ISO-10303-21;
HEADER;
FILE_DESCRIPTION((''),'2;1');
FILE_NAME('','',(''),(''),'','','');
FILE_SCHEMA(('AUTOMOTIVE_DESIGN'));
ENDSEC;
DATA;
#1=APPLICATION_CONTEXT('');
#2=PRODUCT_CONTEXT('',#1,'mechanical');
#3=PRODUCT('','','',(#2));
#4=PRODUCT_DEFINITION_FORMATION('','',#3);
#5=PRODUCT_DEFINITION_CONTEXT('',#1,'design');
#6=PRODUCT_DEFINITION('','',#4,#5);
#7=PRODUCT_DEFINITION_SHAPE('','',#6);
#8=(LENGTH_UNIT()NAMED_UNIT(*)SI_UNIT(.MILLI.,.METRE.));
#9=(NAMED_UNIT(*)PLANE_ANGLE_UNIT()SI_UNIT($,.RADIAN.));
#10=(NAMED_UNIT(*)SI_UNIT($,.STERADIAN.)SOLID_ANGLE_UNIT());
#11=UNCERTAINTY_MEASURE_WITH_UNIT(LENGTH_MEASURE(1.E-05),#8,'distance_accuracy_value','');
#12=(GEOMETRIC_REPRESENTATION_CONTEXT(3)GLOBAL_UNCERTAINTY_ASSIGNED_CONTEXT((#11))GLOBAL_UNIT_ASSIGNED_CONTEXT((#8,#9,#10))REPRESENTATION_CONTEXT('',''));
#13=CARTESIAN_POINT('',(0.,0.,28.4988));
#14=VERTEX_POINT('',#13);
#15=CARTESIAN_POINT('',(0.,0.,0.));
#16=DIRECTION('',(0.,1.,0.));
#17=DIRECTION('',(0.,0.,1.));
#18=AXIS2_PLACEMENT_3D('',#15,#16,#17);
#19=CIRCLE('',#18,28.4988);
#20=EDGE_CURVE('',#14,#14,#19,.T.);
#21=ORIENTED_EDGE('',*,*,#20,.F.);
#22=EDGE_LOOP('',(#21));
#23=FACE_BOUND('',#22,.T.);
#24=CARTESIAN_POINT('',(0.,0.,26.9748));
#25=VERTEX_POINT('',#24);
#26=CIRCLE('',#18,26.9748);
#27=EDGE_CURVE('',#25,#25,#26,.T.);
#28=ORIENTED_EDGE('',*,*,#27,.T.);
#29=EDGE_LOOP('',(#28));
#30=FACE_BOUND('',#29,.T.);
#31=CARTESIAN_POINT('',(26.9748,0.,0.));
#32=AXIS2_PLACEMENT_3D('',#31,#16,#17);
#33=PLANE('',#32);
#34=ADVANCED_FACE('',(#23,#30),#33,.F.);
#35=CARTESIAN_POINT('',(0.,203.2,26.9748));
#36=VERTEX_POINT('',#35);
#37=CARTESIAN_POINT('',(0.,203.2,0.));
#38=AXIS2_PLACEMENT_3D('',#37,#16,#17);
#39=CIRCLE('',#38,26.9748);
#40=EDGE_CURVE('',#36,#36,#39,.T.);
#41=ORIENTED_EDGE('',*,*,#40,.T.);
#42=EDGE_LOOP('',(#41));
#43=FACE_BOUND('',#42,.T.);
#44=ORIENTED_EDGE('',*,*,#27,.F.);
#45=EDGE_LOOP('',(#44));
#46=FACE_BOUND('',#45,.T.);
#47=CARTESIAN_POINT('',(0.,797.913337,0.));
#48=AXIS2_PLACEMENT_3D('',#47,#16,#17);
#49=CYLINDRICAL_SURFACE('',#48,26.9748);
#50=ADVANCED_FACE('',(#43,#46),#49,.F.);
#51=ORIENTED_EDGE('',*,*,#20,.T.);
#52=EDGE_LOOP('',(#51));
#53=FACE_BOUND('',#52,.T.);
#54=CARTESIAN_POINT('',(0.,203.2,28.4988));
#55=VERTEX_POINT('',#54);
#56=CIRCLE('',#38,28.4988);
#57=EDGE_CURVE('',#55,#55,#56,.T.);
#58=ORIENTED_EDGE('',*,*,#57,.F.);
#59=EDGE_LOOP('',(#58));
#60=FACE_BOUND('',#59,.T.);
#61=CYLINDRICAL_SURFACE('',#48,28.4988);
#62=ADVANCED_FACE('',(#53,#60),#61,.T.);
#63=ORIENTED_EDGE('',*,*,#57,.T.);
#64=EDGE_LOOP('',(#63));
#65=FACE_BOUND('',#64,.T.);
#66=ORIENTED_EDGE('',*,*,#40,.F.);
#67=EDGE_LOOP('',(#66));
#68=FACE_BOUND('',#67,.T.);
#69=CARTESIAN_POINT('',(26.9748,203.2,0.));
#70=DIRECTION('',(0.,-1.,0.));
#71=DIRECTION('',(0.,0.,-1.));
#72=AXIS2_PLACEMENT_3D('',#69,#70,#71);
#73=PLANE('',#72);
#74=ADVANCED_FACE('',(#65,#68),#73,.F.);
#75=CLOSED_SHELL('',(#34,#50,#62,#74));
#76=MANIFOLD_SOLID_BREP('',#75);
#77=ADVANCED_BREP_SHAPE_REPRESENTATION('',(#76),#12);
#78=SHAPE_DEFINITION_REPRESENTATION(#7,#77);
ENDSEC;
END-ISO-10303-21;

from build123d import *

# Parameters (mm, degrees)
SKETCH1_W = 1.524
SKETCH1_H = 203.2


with BuildPart() as part:
    # Sketch1 → Revolve1 (revolve)
    with BuildSketch(Plane.XY):
        with Locations((27.7368, 101.6)):
            Rectangle(SKETCH1_W, SKETCH1_H)
    revolve(axis=Axis((0, 307.012038368, 0), (0, -1, 0)))


solid = part.part
